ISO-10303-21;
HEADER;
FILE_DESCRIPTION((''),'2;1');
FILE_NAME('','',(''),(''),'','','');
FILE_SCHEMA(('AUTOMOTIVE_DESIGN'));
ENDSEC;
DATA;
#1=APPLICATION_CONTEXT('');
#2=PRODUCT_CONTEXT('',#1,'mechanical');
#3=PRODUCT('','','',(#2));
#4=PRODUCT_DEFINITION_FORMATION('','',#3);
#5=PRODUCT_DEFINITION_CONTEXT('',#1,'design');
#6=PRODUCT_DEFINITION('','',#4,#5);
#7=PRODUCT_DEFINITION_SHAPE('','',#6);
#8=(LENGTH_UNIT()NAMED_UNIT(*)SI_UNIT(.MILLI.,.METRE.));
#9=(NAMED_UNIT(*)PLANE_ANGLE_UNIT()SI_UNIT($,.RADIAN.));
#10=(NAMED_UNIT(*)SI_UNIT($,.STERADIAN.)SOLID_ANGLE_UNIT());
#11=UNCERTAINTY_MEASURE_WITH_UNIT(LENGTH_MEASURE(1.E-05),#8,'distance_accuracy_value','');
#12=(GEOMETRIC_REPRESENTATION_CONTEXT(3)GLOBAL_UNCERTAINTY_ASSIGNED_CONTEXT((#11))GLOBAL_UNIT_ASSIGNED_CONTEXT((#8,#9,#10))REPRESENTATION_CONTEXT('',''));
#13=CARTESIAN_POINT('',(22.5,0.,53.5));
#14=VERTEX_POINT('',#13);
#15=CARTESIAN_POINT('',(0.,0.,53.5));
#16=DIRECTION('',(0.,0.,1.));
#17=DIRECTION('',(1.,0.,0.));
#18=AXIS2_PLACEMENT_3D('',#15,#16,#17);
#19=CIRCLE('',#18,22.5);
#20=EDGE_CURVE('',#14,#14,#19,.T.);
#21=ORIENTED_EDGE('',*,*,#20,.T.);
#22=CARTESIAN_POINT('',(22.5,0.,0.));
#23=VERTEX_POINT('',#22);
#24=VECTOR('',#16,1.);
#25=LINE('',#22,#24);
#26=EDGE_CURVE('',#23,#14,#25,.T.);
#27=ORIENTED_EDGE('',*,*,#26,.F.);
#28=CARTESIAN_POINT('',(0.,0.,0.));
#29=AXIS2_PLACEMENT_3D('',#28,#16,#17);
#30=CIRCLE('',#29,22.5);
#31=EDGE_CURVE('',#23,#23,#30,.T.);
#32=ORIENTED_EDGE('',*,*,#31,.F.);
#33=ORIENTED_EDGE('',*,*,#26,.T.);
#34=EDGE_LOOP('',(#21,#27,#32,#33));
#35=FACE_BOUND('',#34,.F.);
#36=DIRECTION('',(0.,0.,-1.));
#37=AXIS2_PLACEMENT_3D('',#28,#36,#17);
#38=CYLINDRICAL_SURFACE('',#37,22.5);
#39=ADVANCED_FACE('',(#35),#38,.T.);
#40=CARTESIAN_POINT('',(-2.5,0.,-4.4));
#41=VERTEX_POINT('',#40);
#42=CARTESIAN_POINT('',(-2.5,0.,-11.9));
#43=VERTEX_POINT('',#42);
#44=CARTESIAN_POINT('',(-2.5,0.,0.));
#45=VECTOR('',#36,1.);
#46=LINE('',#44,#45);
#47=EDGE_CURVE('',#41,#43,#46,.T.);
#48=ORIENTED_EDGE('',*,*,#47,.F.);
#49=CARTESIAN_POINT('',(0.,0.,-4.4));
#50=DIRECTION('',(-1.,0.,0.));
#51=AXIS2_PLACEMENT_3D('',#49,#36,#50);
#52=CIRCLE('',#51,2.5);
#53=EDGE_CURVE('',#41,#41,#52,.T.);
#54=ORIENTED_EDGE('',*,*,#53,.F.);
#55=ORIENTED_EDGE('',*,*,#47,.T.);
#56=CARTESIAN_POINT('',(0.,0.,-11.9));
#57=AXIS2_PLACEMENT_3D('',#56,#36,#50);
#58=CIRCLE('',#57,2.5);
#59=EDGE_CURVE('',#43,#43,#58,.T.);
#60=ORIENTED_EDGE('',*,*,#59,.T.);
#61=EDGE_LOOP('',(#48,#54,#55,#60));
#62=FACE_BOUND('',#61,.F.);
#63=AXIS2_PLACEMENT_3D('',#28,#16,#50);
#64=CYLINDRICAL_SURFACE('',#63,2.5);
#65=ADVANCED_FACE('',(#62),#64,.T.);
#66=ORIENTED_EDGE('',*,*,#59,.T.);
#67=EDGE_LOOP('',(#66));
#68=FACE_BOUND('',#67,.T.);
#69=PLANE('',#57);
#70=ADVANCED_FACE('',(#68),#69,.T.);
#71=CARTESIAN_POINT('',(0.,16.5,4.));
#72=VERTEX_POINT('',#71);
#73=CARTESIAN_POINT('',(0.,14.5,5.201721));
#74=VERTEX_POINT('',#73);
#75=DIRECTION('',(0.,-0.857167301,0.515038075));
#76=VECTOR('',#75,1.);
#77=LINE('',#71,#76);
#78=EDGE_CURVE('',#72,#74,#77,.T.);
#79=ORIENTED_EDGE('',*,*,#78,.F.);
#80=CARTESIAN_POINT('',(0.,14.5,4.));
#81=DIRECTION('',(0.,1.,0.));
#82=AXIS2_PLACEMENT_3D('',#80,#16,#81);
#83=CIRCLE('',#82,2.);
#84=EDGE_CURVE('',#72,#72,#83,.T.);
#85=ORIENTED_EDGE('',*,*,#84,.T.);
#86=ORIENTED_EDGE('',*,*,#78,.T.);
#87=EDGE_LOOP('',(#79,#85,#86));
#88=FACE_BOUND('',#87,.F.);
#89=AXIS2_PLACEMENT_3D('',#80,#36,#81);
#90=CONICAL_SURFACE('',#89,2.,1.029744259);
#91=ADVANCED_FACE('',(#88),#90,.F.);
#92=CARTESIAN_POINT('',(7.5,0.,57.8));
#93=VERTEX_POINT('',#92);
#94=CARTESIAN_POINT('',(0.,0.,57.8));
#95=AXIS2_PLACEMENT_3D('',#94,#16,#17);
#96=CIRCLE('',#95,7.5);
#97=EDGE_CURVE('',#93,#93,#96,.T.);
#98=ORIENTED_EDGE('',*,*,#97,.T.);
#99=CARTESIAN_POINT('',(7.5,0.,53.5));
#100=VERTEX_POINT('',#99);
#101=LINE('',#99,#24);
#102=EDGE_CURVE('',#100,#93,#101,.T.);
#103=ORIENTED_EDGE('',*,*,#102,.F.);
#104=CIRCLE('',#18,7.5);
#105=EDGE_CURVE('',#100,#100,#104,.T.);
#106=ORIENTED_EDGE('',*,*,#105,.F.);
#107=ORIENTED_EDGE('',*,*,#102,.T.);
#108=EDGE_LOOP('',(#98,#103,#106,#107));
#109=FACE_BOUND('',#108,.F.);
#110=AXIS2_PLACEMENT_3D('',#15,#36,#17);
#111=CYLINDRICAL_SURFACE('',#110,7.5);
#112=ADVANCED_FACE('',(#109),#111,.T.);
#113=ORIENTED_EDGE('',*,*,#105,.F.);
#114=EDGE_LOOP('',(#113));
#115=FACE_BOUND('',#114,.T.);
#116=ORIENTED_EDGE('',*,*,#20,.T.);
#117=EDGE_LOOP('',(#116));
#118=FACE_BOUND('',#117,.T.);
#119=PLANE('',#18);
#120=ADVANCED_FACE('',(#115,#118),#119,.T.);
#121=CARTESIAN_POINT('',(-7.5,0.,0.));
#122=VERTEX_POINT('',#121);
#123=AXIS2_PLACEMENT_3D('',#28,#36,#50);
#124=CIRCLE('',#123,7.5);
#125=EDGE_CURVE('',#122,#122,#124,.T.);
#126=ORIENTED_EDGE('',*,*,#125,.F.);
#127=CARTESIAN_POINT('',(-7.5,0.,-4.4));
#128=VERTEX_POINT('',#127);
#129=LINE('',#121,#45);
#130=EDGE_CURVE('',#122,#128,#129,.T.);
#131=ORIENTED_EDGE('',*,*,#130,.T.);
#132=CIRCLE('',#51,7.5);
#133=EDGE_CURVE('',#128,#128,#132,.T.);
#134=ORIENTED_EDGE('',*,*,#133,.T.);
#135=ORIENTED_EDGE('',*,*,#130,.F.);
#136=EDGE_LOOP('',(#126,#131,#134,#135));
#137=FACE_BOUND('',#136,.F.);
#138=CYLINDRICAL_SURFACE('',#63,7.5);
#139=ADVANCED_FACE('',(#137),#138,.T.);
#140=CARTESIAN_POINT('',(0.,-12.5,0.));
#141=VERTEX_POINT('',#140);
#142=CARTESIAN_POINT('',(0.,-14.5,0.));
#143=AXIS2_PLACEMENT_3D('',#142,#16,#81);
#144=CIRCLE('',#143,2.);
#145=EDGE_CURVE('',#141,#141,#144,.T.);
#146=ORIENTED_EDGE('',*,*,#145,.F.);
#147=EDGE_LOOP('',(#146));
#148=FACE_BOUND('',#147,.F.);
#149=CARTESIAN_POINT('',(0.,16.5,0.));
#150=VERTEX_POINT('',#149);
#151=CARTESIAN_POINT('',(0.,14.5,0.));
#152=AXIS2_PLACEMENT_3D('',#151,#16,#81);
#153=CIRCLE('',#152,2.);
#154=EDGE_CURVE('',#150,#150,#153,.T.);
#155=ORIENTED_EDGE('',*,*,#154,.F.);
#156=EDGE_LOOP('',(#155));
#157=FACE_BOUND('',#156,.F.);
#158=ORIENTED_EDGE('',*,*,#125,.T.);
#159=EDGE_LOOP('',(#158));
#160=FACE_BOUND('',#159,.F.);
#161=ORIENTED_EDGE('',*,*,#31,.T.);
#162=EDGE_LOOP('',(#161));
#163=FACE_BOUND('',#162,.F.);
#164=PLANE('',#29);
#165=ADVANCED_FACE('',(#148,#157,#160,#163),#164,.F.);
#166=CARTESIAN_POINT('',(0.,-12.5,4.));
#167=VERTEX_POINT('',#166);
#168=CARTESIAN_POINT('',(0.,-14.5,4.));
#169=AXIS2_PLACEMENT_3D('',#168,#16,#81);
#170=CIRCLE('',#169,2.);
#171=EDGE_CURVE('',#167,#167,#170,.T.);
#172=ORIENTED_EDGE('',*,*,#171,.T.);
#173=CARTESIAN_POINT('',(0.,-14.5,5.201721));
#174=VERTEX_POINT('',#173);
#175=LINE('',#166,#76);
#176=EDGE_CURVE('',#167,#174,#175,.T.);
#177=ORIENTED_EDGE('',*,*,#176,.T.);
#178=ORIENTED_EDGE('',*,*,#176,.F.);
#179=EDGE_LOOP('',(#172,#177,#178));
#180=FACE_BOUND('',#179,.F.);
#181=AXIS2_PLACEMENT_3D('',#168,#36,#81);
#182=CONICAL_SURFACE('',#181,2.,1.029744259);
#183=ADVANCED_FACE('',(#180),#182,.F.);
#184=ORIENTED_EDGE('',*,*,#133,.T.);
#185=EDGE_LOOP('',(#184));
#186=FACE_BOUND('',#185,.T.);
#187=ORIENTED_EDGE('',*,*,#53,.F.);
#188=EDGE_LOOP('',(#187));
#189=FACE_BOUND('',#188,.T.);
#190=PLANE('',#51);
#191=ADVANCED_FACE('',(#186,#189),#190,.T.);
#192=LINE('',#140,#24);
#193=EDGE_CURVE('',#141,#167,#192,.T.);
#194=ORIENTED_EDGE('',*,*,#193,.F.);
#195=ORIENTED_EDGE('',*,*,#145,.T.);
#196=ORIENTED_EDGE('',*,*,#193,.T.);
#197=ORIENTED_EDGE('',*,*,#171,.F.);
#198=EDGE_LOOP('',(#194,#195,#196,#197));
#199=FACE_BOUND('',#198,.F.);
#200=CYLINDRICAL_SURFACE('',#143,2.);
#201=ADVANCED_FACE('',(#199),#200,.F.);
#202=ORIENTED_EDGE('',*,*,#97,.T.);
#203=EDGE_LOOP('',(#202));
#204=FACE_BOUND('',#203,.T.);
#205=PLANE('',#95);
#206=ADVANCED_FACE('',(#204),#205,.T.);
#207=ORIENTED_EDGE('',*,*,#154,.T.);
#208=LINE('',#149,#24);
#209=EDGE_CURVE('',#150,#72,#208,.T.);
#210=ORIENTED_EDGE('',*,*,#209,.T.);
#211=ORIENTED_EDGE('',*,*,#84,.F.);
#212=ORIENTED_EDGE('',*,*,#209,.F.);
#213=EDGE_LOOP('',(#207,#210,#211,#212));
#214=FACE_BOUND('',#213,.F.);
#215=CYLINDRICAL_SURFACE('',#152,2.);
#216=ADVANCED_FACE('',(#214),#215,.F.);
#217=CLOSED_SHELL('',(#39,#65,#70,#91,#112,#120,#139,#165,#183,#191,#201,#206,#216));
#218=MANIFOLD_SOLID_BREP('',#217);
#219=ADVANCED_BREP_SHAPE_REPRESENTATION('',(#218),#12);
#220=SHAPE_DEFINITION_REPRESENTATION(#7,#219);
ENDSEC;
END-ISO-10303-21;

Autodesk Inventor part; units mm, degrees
ref_plane "YZ Plane" through (0, 0, 0) normal (1, 0, 0) x (0, 1, 0)
ref_plane "XZ Plane" through (0, 0, 0) normal (0, 1, 0) x (-1, 0, 0)
ref_plane "XY Plane" through (0, 0, 0) normal (0, 0, 1) x (1, 0, 0)
sketch "スケッチ1" plane through (0, 0, 0) normal (0, 0, 1) x (1, 0, 0)
  circle A0 centre (0, 0) radius 22.5
  dimension "d0" = 45
extrude "押し出し1" add sketch "スケッチ1" along normal blind 53.5
sketch "スケッチ2" plane through (0, 0, 53.5) normal (0, 0, 1) x (1, 0, 0)
  circle A0 centre (0, 0) radius 7.5
  dimension "d3" = 15
extrude "押し出し2" add sketch "スケッチ2" along normal blind 4.3
sketch "スケッチ3" plane through (0, 0, 0) normal (0, 0, -1) x (-1, 0, 0)
  circle A0 centre (0, 0) radius 7.5 projected
  circle A1 centre (0, 0) radius 14.5
  point P0 (0, 14.5)
  point P1 (0, -14.5)
  dimension "d6" = 29
hole "穴1" at (0, 14.5, 0) at (0, -14.5, 0) direction (0, 0, 1) diameter 4 depth 4 tip angle 118
sketch "スケッチ4" plane through (0, 0, 0) normal (0, 0, -1) x (-1, 0, 0)
  circle A0 centre (0, 0) radius 7.5
  circle A1 centre (0, 0) radius 2.5
  dimension "d14" = 15
  dimension "d15" = 5
extrude "押し出し3" add sketch "スケッチ4" along normal blind 11.9 contours A1
sketch "スケッチ5" plane through (0, 0, 0) normal (0, 0, -1) x (-1, 0, 0)
  circle A0 centre (0, 0) radius 2.5 projected
  circle A1 centre (0, 0) radius 7.5
  dimension "d18" = 15
extrude "押し出し4" add sketch "スケッチ5" along normal blind 4.4
properties part number "rz735"
